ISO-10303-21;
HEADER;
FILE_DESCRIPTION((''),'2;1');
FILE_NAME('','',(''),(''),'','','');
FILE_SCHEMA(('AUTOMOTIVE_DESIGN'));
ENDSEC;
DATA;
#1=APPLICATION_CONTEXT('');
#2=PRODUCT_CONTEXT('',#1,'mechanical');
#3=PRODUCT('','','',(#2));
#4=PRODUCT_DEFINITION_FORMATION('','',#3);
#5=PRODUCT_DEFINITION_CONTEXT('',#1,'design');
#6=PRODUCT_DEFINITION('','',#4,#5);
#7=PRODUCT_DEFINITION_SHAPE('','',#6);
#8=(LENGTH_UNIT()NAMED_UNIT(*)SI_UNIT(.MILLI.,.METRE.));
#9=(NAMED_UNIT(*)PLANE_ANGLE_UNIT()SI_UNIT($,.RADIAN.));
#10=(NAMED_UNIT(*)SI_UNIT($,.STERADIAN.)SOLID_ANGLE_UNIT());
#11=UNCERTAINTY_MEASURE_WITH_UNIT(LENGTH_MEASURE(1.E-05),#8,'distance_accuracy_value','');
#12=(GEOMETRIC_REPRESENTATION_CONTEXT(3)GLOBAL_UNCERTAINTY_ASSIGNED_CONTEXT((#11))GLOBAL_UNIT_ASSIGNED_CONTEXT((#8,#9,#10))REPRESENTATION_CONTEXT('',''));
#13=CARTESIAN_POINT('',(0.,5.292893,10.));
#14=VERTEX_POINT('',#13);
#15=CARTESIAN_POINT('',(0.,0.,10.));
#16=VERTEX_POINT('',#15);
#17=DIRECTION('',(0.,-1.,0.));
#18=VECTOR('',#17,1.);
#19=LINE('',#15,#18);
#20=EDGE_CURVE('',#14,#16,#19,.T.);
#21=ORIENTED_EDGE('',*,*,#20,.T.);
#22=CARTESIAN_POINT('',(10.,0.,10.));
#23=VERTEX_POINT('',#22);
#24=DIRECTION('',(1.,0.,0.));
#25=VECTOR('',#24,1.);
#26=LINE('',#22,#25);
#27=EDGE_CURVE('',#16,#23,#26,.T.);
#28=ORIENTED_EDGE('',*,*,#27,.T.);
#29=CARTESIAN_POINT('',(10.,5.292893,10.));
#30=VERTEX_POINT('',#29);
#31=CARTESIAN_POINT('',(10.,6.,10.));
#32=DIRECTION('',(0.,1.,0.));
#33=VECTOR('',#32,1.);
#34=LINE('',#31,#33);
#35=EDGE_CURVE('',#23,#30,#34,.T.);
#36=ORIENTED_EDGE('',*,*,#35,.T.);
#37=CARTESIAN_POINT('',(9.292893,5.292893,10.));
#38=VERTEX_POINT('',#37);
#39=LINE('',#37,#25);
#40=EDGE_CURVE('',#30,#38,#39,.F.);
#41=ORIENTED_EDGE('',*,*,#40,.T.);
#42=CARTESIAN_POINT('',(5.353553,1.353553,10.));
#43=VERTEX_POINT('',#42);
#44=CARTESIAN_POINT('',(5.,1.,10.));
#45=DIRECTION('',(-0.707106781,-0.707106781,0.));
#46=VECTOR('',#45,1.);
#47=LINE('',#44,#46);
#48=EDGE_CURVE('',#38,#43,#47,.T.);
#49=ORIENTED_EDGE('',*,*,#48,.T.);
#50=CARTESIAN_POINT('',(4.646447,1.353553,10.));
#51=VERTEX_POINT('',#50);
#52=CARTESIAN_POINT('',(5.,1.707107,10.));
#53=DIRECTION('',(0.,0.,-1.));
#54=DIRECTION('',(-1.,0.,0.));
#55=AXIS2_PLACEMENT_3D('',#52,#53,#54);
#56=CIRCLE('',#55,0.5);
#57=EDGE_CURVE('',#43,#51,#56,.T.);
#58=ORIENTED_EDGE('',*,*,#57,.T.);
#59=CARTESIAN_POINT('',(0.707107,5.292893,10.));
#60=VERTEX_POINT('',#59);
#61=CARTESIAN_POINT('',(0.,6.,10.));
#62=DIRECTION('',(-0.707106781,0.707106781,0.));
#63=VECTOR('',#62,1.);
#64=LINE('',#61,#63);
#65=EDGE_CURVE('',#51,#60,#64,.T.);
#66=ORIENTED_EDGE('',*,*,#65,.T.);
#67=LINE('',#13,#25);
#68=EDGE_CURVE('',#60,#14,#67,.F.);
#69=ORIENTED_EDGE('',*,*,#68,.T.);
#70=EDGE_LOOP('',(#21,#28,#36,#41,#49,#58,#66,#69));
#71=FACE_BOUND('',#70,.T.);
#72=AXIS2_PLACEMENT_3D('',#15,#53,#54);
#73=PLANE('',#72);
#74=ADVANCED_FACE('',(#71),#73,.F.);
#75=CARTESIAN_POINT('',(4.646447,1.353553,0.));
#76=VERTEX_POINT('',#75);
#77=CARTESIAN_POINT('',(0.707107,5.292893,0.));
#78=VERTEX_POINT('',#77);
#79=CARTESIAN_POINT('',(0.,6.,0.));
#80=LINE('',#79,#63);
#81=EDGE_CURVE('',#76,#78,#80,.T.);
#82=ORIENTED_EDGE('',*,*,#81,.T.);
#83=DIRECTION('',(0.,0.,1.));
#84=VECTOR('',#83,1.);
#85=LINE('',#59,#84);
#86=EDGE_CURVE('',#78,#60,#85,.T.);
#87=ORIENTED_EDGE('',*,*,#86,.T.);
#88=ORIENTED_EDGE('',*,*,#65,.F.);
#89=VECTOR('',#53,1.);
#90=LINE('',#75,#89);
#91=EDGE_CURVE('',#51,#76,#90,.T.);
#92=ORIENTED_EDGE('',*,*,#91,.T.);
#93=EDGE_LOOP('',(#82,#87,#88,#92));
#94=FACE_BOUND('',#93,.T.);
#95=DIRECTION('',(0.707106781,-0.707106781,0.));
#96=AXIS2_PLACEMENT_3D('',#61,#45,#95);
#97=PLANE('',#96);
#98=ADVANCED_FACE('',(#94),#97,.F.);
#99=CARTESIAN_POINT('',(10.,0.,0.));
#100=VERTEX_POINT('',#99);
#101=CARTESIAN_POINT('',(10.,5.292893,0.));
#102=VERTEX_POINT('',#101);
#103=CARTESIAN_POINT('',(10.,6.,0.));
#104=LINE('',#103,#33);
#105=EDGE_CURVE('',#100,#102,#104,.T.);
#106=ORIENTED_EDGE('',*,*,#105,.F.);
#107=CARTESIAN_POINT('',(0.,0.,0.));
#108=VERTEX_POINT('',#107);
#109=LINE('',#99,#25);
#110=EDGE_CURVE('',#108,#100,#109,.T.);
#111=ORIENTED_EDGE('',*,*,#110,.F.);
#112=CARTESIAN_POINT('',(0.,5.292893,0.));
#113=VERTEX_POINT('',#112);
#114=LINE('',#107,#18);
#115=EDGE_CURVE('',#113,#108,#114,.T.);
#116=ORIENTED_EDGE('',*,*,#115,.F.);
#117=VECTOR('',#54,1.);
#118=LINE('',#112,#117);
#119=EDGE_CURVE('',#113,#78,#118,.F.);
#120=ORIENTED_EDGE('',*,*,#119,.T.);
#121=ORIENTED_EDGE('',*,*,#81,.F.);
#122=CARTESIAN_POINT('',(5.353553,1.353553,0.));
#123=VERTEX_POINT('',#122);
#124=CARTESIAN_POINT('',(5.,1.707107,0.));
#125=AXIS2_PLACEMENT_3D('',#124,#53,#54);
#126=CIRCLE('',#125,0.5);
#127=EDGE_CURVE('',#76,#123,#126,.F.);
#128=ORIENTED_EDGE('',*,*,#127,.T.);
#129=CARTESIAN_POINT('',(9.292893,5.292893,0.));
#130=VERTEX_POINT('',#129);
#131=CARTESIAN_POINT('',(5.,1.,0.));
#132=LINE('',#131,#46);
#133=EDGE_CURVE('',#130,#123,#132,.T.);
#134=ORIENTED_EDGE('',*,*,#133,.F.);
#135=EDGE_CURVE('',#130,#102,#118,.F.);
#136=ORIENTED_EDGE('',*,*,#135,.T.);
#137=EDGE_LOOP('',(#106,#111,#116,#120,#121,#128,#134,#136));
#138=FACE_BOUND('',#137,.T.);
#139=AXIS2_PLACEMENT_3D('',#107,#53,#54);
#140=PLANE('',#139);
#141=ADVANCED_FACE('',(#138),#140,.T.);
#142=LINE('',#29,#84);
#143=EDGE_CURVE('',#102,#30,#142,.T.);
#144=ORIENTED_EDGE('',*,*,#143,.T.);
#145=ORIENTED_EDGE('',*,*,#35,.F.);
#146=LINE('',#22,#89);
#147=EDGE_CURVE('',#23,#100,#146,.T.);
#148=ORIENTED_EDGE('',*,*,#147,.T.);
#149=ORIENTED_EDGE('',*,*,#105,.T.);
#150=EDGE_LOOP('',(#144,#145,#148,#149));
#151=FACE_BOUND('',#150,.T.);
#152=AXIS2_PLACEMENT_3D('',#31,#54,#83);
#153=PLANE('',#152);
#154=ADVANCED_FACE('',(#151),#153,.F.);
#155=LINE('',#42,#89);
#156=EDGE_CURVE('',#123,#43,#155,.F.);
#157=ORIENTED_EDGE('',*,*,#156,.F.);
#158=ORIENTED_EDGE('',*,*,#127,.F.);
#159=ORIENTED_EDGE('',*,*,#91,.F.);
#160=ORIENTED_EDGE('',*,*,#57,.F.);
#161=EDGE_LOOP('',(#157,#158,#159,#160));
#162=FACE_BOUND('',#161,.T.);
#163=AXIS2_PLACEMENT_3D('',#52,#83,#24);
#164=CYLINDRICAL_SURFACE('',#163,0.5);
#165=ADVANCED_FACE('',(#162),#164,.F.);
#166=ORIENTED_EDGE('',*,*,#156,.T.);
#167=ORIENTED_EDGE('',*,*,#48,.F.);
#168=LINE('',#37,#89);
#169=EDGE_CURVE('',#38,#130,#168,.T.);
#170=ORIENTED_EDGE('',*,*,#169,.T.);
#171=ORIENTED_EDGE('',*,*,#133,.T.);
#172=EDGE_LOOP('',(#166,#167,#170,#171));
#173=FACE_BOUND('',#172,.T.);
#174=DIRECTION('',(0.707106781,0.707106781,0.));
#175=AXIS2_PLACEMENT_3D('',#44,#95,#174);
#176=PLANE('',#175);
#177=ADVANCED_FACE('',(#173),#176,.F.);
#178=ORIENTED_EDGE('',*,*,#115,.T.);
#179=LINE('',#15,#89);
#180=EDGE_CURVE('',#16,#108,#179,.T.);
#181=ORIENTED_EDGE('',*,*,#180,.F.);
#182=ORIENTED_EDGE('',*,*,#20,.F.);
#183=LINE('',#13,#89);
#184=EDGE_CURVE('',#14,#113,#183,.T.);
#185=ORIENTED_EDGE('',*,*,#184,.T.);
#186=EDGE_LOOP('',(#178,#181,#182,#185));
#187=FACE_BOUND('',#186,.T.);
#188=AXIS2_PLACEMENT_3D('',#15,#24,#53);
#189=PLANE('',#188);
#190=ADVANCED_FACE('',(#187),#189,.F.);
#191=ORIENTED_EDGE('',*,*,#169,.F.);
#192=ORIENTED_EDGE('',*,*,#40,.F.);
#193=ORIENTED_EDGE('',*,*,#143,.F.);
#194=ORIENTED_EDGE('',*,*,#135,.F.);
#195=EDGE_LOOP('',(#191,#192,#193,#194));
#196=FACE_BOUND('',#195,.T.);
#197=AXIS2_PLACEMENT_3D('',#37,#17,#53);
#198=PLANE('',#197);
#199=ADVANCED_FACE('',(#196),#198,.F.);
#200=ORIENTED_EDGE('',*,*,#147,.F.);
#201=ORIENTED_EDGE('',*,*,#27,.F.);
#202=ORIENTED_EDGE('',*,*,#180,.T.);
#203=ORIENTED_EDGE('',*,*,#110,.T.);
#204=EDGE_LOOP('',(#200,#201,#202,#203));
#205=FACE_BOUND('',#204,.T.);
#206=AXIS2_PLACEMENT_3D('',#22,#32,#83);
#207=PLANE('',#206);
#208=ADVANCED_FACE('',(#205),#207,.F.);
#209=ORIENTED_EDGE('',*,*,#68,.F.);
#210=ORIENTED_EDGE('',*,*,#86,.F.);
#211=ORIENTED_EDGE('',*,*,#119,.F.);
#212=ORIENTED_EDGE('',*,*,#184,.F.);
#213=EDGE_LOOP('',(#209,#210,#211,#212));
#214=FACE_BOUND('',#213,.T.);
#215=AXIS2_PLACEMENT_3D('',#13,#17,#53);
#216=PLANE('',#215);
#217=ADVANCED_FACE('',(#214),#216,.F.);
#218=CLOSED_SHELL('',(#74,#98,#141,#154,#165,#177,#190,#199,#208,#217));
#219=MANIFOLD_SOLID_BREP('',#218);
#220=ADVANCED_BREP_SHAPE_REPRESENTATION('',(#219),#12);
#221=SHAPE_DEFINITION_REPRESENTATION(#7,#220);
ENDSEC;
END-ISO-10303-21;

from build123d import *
from OCP.BRepFilletAPI import BRepFilletAPI_MakeChamfer

# Parameters (mm, degrees)
EXTRUDE_1_DEPTH = 10
FILLET_1_R      = 0.5
CHAMFER_1_SIZE  = 1
CHAMFER_1_SIZE2 = 0.707106781


with BuildPart() as part:
    # 草图2 → 凸台-拉伸1 (new body)
    with BuildSketch(Plane.XY):
        Polygon((0, 0), (0, 6), (5, 1), (10, 6), (10, 0), align=None)
    extrude(amount=EXTRUDE_1_DEPTH)

    # 圆角1
    fillet_1_edges = [part.edges().sort_by_distance(p)[0] for p in [
        (5, 1, 5),
    ]]
    fillet(fillet_1_edges, radius=FILLET_1_R)

    # 倒角1: one chamfer whose edges measure the first distance from different faces: ONE call of the kernel's chamfer builder (chamfer() names one face for all edges)
    chamfer_1_edges_1 = [part.edges().sort_by_distance(p)[0] for p in [
        (0, 6, 5),
    ]]
    chamfer_1_side_1 = [part.faces().sort_by_distance(p)[0] for p in [
        (2.323223305, 3.676776695, 5),
    ]]
    chamfer_1_edges_2 = [part.edges().sort_by_distance(p)[0] for p in [
        (10, 6, 5),
    ]]
    chamfer_1_side_2 = [part.faces().sort_by_distance(p)[0] for p in [
        (7.676776695, 3.676776695, 5),
    ]]
    chamfer_1 = BRepFilletAPI_MakeChamfer(part.part.solid().wrapped)
    for e in chamfer_1_edges_1:
        chamfer_1.Add(CHAMFER_1_SIZE, CHAMFER_1_SIZE2, e.wrapped, chamfer_1_side_1[0].wrapped)  # the first distance lies on this face
    for e in chamfer_1_edges_2:
        chamfer_1.Add(CHAMFER_1_SIZE, CHAMFER_1_SIZE2, e.wrapped, chamfer_1_side_2[0].wrapped)  # the first distance lies on this face
    add(Compound.cast(chamfer_1.Shape()), mode=Mode.REPLACE)


solid = part.part
